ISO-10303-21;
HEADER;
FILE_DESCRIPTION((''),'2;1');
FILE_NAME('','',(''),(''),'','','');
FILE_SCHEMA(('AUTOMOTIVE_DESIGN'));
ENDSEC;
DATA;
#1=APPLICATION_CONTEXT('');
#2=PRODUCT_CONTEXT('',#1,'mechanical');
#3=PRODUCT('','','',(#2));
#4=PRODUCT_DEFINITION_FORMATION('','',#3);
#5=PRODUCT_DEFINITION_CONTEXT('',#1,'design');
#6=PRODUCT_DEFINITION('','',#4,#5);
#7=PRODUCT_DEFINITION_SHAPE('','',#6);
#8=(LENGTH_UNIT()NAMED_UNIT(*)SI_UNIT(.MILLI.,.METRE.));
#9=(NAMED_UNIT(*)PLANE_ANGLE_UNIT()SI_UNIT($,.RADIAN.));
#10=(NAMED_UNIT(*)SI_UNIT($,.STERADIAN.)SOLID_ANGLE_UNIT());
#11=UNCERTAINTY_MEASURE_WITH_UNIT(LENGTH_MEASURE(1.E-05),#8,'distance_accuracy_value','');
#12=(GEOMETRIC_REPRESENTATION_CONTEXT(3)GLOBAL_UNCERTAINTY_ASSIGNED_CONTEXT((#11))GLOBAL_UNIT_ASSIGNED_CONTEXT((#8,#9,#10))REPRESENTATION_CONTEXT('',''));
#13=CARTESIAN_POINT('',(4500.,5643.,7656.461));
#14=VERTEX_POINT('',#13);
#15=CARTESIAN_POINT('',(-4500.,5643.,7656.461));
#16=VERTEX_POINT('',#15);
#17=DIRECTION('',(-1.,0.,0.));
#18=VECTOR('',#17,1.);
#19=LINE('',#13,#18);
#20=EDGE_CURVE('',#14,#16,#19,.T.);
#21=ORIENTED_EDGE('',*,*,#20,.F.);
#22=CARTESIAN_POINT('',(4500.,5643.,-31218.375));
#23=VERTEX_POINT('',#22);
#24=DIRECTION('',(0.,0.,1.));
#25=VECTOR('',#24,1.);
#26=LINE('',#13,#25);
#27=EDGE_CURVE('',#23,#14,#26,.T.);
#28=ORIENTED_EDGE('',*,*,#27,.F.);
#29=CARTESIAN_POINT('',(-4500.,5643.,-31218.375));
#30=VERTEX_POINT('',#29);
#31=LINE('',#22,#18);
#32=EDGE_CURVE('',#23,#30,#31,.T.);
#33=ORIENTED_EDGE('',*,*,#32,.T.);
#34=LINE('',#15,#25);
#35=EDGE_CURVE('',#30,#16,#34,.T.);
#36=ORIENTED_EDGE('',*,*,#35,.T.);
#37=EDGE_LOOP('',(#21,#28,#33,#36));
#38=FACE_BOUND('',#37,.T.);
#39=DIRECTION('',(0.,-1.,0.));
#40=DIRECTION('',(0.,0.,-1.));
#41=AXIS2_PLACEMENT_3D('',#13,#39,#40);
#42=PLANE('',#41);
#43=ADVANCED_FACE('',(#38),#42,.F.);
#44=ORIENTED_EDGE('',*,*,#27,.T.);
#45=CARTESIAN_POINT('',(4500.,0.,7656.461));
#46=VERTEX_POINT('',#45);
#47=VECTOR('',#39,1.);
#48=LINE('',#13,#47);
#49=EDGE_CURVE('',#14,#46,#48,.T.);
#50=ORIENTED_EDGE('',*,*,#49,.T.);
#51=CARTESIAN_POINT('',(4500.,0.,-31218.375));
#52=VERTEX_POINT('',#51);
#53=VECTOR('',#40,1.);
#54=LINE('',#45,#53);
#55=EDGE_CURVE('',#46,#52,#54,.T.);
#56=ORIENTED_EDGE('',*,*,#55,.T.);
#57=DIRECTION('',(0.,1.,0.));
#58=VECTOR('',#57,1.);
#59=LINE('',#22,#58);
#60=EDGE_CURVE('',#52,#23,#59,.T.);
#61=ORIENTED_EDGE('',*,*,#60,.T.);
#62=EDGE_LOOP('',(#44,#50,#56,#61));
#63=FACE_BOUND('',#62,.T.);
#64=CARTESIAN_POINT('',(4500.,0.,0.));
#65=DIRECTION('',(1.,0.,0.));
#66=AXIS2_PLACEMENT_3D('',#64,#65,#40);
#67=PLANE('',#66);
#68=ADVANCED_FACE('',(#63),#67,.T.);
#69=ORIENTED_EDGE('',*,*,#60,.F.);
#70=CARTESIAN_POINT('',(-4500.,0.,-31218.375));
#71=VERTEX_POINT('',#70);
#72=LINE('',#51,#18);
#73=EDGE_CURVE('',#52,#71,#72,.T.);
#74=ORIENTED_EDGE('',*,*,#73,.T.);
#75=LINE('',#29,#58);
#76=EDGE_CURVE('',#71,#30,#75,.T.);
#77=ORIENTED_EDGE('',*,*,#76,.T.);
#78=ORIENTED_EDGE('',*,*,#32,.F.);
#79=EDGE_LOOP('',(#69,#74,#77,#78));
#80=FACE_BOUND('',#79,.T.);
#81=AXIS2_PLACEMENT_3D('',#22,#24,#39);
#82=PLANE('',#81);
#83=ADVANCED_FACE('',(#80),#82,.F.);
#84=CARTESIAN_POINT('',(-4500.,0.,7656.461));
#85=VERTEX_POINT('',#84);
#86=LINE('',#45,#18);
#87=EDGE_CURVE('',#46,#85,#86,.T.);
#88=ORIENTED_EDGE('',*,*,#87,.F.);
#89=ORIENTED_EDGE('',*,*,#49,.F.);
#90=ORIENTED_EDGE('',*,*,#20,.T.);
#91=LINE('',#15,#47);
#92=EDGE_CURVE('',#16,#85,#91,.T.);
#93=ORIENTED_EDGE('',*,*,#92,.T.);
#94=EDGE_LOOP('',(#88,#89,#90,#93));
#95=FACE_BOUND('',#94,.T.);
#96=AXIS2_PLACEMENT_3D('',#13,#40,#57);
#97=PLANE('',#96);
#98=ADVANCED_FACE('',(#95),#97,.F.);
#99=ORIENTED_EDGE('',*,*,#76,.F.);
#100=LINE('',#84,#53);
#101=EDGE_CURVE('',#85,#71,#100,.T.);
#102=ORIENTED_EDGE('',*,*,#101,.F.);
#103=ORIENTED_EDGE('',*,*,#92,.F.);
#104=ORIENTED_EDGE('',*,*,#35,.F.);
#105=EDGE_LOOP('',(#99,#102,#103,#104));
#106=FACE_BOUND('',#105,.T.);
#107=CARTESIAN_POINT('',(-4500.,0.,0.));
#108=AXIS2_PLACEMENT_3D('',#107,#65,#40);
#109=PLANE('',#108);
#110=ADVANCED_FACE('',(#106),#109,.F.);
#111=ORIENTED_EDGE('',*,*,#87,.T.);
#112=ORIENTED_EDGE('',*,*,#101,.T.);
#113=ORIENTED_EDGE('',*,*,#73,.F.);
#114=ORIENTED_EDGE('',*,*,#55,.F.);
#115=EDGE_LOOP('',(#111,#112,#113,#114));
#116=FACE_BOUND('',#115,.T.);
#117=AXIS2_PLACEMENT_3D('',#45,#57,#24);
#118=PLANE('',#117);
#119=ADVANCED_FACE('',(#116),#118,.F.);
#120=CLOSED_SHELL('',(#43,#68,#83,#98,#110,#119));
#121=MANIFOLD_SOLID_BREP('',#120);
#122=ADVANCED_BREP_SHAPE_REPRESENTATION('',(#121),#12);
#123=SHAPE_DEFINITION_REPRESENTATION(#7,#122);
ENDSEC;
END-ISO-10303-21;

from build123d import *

# Parameters (mm, degrees)
SKETCH113_W         = 38874.836
SKETCH113_H         = 5643
BOSS_EXTRUDE1_DEPTH = 4499.999999982


with BuildPart() as part:
    # Sketch113 → Boss-Extrude1 (new, symmetric)
    with BuildSketch(Plane(origin=(0, 0, 0), x_dir=(0, 0, -1), z_dir=(1, 0, 0))):
        with Locations((11780.957, 2821.5)):
            Rectangle(SKETCH113_W, SKETCH113_H)
    extrude(amount=BOSS_EXTRUDE1_DEPTH, both=True)


solid = part.part
